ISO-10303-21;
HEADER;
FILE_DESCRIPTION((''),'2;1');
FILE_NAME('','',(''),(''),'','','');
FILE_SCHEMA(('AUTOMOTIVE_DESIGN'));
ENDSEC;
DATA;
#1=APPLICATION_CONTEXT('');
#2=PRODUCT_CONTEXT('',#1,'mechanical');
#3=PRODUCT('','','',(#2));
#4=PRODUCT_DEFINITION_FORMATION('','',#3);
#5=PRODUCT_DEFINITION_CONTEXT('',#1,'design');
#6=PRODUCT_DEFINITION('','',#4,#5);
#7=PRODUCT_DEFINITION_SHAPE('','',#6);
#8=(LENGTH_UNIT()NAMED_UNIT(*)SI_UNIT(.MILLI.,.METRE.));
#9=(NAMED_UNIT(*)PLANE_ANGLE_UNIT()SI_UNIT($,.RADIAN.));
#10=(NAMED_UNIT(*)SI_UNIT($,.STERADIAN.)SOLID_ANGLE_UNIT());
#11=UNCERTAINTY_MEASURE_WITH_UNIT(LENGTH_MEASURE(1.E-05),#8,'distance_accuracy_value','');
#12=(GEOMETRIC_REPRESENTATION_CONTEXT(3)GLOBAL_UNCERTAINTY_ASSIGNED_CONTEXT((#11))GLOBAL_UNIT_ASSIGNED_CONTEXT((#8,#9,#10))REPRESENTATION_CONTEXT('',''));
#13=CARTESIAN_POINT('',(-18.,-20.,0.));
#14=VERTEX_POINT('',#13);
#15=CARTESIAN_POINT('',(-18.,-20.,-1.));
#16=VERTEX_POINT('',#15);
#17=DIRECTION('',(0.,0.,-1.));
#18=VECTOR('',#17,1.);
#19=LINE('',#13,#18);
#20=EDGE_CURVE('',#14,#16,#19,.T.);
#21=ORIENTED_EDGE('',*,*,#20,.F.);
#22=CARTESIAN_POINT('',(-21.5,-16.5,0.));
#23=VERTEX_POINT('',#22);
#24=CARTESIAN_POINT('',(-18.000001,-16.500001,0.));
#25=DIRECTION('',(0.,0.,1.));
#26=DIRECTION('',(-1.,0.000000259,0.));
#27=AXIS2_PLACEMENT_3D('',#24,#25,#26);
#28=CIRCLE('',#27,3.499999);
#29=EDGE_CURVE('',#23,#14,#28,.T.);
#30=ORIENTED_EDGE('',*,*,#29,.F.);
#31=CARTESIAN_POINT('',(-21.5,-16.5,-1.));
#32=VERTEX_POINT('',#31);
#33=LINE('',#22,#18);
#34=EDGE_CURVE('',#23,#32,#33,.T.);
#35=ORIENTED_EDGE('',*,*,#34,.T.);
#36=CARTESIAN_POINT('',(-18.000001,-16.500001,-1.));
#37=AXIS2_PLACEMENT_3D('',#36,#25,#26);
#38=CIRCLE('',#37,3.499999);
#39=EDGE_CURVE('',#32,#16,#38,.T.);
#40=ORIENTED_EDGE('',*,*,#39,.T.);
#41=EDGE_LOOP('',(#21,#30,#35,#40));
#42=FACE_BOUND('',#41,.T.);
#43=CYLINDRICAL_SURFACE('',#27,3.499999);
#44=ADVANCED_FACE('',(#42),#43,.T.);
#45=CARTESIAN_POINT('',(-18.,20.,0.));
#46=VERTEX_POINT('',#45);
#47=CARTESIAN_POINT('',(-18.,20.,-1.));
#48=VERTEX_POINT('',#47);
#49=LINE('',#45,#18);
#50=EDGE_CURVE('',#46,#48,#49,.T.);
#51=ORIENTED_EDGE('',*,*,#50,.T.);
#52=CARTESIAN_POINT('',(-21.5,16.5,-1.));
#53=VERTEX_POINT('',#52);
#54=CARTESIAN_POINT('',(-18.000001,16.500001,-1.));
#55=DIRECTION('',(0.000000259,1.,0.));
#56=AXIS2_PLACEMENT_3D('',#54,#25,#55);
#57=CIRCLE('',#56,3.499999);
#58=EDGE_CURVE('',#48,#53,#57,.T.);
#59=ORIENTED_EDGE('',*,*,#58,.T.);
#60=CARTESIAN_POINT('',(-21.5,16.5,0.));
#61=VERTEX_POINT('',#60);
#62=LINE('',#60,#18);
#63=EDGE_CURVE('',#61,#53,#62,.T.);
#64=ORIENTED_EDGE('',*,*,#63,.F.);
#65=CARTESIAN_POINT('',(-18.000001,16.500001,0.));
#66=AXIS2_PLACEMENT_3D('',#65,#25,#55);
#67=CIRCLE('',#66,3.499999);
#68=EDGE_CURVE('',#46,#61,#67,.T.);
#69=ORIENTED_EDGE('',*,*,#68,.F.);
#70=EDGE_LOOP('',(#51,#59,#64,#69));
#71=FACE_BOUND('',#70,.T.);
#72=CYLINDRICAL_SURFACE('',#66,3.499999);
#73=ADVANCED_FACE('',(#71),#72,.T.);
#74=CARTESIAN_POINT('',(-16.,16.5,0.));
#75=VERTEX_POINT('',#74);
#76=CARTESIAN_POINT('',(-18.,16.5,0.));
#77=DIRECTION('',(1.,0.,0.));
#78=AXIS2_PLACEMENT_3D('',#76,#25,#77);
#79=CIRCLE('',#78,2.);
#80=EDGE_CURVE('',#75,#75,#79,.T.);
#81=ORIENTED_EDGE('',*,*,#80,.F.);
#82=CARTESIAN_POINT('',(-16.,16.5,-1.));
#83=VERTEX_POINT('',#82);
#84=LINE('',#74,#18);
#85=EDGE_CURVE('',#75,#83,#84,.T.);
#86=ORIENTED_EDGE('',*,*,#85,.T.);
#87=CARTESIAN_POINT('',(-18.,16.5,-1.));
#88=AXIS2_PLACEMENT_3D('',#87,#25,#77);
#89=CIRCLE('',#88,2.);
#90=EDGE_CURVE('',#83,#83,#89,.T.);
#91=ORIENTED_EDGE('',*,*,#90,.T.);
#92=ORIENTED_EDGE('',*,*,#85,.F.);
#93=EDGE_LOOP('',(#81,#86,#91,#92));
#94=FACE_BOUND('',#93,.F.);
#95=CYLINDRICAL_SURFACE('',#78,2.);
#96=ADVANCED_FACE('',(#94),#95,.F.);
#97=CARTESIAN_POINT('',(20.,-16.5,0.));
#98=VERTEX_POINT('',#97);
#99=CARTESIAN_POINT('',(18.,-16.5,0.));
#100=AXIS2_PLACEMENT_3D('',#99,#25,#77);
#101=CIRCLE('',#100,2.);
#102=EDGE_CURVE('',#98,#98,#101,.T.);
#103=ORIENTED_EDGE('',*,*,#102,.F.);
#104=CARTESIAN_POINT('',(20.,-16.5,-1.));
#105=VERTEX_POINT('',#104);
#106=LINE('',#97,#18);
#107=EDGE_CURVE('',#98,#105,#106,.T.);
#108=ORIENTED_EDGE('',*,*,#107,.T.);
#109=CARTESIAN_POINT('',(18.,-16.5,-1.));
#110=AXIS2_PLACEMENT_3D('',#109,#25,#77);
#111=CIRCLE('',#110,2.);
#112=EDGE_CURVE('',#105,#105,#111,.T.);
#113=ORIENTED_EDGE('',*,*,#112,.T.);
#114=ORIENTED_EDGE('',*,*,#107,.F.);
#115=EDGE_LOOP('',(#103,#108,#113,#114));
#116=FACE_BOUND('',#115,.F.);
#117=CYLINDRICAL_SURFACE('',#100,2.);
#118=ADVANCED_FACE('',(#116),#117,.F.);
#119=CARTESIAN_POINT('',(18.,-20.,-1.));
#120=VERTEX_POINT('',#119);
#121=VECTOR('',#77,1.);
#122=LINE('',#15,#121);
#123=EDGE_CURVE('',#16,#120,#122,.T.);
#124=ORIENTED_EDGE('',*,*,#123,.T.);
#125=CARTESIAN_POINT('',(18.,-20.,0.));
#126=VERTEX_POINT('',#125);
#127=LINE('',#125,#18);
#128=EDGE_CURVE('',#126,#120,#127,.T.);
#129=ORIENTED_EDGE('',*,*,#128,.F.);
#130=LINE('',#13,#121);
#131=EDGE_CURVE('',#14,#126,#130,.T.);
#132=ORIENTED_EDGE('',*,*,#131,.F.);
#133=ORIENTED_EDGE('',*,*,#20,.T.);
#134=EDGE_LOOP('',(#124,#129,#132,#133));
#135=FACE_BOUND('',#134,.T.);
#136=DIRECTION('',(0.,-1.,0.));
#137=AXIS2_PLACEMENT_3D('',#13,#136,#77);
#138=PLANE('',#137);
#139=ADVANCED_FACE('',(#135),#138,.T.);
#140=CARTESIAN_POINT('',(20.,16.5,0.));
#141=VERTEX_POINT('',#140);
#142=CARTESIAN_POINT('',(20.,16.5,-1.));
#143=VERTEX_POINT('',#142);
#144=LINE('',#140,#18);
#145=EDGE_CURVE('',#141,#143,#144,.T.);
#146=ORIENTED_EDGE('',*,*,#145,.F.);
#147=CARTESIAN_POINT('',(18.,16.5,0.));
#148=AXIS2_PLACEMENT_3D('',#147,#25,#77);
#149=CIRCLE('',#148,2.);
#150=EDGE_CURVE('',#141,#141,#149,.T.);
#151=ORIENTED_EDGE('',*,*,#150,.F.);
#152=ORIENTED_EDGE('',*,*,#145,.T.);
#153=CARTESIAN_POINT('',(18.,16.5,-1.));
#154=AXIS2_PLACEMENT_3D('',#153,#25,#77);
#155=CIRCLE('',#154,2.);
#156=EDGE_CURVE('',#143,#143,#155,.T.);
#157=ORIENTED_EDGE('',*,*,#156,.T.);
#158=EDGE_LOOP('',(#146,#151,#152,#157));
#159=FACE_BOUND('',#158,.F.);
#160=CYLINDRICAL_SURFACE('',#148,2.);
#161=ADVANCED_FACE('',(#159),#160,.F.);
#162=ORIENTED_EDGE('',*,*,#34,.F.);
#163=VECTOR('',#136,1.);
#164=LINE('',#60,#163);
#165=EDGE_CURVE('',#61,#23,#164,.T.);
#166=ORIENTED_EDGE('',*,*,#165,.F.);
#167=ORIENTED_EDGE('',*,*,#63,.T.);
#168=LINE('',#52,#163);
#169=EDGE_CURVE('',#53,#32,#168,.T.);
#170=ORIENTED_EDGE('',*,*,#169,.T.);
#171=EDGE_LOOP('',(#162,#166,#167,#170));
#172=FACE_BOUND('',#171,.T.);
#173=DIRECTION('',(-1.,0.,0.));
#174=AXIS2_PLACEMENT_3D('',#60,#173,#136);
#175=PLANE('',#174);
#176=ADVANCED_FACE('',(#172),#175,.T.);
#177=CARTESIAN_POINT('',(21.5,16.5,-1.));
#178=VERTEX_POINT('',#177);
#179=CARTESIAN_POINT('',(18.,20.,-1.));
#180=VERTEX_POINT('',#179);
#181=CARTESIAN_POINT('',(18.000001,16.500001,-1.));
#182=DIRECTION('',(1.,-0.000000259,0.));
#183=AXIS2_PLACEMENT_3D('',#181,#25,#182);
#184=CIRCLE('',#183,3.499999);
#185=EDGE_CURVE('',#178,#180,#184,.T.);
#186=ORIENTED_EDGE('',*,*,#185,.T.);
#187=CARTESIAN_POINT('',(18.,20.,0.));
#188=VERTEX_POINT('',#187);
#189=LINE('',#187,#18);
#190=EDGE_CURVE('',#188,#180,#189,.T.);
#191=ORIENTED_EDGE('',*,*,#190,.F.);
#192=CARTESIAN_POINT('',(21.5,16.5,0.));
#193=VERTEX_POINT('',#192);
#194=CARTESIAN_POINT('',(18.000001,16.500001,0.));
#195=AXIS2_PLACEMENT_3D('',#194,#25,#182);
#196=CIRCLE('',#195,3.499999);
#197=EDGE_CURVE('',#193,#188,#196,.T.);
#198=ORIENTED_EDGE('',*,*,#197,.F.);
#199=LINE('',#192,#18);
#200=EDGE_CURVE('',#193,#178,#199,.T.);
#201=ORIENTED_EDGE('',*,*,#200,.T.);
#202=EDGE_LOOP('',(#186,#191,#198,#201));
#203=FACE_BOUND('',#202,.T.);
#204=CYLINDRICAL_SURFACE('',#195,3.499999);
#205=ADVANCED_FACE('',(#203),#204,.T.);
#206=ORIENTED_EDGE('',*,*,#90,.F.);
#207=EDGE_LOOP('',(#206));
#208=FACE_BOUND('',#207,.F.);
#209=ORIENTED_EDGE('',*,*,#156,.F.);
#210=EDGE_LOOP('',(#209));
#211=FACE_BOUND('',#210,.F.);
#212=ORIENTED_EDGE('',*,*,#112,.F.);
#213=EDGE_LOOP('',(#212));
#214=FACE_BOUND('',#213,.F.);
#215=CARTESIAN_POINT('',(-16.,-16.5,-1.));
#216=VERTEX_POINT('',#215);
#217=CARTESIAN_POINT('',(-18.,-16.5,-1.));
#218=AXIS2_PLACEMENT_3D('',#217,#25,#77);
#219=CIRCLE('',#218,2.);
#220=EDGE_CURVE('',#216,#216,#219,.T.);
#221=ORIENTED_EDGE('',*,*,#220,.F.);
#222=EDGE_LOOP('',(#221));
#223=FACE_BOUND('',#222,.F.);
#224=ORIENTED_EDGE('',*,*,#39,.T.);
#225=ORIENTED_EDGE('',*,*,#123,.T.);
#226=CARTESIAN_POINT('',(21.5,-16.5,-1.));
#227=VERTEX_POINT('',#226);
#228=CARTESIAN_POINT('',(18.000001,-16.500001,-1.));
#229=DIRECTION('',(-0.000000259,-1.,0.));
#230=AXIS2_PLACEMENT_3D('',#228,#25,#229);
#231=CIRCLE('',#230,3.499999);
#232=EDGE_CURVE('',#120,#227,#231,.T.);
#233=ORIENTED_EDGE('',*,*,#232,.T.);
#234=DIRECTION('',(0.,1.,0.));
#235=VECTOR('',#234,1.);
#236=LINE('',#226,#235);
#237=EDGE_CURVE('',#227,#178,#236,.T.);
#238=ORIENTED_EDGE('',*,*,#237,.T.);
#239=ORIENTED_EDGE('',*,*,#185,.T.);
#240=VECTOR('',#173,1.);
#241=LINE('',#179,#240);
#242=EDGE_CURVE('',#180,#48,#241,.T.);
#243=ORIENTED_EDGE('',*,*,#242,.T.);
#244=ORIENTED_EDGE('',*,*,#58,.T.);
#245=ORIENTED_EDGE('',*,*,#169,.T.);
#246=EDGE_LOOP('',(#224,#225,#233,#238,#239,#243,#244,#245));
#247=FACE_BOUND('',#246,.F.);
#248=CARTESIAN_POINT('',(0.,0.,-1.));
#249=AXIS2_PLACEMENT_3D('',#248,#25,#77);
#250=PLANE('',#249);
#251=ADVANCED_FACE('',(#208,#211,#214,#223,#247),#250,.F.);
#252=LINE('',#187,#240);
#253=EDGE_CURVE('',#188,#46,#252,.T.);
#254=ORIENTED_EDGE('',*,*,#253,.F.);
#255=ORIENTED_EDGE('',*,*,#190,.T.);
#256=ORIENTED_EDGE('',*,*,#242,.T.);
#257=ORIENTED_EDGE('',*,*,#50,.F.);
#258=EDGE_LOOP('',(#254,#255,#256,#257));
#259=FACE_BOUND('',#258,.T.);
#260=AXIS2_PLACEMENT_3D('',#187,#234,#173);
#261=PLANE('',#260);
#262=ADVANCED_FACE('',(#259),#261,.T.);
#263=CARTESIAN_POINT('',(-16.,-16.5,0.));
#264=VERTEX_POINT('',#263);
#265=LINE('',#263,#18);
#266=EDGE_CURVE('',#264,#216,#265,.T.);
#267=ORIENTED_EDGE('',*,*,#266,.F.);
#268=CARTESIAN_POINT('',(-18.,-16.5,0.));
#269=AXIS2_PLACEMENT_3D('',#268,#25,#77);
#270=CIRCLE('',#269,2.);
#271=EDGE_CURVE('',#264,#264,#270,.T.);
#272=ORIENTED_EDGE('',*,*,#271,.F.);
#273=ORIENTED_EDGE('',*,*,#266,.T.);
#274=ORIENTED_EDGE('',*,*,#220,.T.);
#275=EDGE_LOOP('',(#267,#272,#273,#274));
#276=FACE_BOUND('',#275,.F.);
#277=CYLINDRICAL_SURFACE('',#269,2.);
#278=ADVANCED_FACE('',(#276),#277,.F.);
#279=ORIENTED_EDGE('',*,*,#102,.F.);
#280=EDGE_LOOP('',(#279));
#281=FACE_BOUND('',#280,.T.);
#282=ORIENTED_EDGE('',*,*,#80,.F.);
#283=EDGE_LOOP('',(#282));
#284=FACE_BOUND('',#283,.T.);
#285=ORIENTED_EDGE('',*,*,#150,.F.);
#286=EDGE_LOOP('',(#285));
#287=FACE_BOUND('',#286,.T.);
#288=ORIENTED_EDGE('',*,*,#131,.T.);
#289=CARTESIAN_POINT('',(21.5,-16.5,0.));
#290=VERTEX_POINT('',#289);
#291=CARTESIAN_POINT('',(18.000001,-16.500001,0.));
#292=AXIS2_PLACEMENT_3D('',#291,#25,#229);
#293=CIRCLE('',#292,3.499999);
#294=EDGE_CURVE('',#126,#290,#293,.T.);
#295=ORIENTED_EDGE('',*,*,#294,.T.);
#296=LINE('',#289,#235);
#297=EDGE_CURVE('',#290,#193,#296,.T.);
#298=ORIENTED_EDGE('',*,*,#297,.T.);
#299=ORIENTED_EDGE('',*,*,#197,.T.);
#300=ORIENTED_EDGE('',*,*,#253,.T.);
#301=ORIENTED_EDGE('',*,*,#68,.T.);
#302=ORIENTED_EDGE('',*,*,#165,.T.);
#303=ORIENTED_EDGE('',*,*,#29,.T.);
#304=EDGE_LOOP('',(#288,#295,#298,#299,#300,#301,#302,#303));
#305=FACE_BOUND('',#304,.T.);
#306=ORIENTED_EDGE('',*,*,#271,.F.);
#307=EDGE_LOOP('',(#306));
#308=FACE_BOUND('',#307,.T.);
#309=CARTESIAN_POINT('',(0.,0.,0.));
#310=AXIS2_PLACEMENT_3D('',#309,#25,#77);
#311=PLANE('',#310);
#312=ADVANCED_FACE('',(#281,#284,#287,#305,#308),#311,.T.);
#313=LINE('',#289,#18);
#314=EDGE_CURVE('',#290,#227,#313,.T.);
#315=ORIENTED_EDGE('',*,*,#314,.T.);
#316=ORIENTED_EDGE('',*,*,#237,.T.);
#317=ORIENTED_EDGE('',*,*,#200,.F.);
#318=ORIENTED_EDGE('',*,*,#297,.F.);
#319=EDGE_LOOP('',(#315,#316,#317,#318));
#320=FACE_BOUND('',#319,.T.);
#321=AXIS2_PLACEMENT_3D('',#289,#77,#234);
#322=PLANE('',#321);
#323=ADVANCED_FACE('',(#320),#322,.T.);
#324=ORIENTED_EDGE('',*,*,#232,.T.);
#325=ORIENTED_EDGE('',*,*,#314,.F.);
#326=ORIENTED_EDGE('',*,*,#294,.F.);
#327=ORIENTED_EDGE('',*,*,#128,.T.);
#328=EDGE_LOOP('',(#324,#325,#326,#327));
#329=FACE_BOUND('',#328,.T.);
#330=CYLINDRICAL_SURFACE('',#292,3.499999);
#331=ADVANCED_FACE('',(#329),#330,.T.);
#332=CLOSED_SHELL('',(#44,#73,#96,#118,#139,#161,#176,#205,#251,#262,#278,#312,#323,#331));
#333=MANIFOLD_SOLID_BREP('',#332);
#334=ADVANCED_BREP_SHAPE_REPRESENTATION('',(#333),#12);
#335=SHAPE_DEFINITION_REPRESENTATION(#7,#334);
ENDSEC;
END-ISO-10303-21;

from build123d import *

# Parameters (mm, degrees)
F0_R     = 2
F1_DEPTH = 1


with BuildPart() as f1:
    # F0 (on Top) → F1 (new body)
    with BuildSketch(Plane.XY):
        with BuildLine():
            Line((-18, -20), (18, -20))
            ThreePointArc((18, -20), (20.474874, -18.974874), (21.5, -16.5))
            Line((21.5, -16.5), (21.5, 16.5))
            ThreePointArc((21.5, 16.5), (20.474874, 18.974874), (18, 20))
            Line((18, 20), (-18, 20))
            ThreePointArc((-18, 20), (-20.474874, 18.974874), (-21.5, 16.5))
            Line((-21.5, 16.5), (-21.5, -16.5))
            ThreePointArc((-21.5, -16.5), (-20.474874, -18.974874), (-18, -20))
        make_face()
        with Locations((-18, -16.5)):
            Circle(F0_R, mode=Mode.SUBTRACT)
        with Locations((18, -16.5)):
            Circle(F0_R, mode=Mode.SUBTRACT)
        with Locations((-18, 16.5)):
            Circle(F0_R, mode=Mode.SUBTRACT)
        with Locations((18, 16.5)):
            Circle(F0_R, mode=Mode.SUBTRACT)
    extrude(amount=-F1_DEPTH)


solid = f1.part
